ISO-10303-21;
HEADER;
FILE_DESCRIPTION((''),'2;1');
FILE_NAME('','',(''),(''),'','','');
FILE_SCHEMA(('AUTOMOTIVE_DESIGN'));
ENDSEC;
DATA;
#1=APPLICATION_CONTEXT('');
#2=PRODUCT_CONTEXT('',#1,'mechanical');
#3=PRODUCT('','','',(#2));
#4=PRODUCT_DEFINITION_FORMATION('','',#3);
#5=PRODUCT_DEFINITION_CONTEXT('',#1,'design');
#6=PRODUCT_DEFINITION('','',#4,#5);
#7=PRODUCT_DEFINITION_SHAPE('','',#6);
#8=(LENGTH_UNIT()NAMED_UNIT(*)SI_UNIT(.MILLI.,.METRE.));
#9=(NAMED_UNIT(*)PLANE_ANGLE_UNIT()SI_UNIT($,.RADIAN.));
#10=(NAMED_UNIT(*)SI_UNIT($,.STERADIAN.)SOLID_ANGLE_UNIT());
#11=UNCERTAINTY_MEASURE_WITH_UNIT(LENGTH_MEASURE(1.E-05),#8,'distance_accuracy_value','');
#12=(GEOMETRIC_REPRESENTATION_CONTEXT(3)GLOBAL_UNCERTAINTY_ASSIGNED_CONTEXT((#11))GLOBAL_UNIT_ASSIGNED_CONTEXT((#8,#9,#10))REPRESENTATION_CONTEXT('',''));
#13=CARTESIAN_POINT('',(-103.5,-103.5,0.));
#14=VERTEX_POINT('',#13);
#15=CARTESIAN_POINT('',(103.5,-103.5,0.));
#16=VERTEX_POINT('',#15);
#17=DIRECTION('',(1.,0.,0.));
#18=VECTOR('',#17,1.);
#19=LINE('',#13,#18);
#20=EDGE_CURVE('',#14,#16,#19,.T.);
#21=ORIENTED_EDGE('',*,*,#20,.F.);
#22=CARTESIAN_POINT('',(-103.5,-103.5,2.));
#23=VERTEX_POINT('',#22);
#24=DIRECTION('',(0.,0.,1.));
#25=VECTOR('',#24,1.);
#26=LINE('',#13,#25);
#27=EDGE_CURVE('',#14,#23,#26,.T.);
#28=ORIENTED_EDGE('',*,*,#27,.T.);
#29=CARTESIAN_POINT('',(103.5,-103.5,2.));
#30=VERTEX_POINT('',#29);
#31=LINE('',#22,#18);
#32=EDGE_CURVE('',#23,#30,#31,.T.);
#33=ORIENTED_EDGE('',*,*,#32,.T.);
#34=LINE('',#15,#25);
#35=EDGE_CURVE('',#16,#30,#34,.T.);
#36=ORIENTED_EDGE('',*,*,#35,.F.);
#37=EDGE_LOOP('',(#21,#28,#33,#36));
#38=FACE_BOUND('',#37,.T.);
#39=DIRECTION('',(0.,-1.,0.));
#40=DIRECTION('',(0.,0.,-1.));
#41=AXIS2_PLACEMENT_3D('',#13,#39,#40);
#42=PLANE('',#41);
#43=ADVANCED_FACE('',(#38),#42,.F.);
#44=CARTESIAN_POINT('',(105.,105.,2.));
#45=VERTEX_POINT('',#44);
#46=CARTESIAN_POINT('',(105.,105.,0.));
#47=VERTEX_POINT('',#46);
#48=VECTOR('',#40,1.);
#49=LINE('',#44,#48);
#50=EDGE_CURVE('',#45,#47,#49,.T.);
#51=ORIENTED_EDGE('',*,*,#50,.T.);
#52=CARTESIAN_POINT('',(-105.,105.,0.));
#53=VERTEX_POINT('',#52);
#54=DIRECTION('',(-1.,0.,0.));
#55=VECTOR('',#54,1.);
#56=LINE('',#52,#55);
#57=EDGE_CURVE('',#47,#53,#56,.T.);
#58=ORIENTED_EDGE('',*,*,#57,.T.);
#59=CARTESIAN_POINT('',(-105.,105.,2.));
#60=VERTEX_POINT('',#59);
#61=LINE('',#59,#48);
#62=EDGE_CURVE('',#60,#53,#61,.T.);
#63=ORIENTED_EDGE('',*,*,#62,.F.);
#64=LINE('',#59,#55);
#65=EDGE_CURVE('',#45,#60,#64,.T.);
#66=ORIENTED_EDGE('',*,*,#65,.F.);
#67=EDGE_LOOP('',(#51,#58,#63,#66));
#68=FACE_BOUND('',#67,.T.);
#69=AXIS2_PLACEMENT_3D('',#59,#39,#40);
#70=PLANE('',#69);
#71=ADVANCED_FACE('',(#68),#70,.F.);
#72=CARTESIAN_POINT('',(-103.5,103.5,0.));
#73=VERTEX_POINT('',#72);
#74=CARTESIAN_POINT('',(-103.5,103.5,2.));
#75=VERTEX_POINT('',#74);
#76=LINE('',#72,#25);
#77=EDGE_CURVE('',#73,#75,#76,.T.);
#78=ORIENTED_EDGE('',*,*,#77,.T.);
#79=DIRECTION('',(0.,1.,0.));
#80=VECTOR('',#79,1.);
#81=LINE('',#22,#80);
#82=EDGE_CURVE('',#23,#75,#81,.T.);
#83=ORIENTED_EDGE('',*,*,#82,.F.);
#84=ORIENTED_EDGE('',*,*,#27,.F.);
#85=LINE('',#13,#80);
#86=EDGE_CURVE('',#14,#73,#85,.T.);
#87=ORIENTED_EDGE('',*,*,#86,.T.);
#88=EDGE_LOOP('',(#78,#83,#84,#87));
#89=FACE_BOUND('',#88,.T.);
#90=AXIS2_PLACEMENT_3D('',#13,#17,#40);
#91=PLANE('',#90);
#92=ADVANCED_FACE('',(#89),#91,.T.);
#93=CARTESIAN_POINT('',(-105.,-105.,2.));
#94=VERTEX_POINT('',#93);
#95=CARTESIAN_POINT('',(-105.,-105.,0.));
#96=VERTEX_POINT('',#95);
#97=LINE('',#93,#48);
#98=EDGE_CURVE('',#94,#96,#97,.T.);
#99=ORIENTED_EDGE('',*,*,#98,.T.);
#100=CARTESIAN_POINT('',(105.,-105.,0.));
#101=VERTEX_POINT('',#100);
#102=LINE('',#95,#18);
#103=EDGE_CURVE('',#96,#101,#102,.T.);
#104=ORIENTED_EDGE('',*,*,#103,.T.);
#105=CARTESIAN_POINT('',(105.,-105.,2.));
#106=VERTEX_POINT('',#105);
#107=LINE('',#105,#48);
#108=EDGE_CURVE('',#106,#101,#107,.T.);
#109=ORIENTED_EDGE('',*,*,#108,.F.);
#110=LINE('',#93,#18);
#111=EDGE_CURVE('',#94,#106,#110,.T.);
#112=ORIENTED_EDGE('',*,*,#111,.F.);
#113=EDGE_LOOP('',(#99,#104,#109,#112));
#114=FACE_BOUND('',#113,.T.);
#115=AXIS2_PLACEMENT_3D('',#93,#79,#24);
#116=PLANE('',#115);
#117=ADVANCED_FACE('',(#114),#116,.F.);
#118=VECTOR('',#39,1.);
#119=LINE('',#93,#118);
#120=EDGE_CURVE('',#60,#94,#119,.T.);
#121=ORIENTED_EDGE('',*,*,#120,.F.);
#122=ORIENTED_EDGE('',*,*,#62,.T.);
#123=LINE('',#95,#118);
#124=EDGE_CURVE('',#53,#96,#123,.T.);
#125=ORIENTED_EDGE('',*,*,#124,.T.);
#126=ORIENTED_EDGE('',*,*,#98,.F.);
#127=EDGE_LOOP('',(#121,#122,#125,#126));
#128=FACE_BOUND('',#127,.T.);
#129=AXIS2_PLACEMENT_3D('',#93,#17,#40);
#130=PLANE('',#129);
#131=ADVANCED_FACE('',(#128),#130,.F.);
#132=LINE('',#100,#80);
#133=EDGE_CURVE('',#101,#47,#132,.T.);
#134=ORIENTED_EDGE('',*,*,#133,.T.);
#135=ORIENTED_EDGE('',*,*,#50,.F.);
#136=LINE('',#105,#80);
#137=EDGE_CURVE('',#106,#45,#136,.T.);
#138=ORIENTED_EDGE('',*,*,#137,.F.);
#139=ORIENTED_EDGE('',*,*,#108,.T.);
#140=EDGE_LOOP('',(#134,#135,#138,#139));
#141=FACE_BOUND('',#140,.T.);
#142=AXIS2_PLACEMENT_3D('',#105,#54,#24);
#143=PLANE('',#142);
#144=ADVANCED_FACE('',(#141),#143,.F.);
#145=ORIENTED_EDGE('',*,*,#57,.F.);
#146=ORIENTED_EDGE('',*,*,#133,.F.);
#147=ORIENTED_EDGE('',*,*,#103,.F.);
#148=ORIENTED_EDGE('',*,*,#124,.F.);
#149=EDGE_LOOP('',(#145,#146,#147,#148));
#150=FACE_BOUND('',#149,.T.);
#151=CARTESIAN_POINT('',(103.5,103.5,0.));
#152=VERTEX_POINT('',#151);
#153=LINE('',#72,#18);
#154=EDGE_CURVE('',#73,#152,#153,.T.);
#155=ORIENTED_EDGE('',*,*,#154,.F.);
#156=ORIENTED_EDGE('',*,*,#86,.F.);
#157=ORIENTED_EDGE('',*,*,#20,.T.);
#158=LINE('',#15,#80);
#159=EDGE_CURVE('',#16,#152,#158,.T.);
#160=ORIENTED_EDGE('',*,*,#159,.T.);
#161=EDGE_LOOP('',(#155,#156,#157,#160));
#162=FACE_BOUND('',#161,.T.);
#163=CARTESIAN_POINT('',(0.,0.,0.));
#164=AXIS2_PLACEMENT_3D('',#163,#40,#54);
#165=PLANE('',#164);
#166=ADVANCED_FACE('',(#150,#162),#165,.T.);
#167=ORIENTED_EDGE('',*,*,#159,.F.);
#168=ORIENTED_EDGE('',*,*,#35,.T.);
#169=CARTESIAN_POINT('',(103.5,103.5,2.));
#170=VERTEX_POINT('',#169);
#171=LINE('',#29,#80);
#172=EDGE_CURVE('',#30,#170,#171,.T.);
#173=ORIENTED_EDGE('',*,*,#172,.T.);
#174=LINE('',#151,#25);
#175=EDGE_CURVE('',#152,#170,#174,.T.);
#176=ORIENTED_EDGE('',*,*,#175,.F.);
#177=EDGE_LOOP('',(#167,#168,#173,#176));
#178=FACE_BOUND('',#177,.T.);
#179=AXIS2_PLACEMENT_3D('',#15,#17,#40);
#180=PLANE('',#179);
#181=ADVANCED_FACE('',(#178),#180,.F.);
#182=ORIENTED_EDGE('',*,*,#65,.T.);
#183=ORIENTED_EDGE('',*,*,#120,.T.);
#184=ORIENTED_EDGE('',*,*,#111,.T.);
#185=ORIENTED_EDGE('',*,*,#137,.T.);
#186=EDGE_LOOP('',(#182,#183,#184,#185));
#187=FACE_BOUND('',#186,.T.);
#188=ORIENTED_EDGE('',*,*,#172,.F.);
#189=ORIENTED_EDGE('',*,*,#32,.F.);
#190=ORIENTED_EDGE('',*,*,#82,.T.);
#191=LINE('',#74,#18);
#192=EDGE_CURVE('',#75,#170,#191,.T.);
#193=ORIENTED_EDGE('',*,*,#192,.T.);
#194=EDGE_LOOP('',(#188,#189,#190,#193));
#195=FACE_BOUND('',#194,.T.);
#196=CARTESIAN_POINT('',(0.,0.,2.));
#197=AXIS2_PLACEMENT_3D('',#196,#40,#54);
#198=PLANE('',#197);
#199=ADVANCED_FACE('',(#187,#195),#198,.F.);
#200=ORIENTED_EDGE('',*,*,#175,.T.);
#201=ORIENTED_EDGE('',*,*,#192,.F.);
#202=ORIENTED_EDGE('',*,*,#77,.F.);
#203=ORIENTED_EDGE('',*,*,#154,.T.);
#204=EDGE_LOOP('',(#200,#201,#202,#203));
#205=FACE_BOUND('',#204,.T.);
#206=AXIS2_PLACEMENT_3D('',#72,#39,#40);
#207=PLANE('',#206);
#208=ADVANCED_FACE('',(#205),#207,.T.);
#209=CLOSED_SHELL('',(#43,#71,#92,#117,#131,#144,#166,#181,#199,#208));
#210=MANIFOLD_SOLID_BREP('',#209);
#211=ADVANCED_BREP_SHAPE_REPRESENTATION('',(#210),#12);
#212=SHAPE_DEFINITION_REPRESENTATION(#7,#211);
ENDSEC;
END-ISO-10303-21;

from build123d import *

# Parameters (mm, degrees)
SKETCH1_W           = 210
SKETCH1_H           = 210
BOSS_EXTRUDE1_DEPTH = 2
SKETCH2_W           = 207
SKETCH2_H           = 207
CUT_EXTRUDE2_DEPTH  = 3


with BuildPart() as part:
    # Sketch1 → Boss-Extrude1 (new body)
    with BuildSketch(Plane.XY):
        Rectangle(SKETCH1_W, SKETCH1_H)
    extrude(amount=BOSS_EXTRUDE1_DEPTH)

    # Sketch2 → Cut-Extrude2 (cut, through all)
    with BuildSketch(Plane.XY.offset(2)):
        Rectangle(SKETCH2_W, SKETCH2_H)
    extrude(amount=-CUT_EXTRUDE2_DEPTH, mode=Mode.SUBTRACT)


solid = part.part
